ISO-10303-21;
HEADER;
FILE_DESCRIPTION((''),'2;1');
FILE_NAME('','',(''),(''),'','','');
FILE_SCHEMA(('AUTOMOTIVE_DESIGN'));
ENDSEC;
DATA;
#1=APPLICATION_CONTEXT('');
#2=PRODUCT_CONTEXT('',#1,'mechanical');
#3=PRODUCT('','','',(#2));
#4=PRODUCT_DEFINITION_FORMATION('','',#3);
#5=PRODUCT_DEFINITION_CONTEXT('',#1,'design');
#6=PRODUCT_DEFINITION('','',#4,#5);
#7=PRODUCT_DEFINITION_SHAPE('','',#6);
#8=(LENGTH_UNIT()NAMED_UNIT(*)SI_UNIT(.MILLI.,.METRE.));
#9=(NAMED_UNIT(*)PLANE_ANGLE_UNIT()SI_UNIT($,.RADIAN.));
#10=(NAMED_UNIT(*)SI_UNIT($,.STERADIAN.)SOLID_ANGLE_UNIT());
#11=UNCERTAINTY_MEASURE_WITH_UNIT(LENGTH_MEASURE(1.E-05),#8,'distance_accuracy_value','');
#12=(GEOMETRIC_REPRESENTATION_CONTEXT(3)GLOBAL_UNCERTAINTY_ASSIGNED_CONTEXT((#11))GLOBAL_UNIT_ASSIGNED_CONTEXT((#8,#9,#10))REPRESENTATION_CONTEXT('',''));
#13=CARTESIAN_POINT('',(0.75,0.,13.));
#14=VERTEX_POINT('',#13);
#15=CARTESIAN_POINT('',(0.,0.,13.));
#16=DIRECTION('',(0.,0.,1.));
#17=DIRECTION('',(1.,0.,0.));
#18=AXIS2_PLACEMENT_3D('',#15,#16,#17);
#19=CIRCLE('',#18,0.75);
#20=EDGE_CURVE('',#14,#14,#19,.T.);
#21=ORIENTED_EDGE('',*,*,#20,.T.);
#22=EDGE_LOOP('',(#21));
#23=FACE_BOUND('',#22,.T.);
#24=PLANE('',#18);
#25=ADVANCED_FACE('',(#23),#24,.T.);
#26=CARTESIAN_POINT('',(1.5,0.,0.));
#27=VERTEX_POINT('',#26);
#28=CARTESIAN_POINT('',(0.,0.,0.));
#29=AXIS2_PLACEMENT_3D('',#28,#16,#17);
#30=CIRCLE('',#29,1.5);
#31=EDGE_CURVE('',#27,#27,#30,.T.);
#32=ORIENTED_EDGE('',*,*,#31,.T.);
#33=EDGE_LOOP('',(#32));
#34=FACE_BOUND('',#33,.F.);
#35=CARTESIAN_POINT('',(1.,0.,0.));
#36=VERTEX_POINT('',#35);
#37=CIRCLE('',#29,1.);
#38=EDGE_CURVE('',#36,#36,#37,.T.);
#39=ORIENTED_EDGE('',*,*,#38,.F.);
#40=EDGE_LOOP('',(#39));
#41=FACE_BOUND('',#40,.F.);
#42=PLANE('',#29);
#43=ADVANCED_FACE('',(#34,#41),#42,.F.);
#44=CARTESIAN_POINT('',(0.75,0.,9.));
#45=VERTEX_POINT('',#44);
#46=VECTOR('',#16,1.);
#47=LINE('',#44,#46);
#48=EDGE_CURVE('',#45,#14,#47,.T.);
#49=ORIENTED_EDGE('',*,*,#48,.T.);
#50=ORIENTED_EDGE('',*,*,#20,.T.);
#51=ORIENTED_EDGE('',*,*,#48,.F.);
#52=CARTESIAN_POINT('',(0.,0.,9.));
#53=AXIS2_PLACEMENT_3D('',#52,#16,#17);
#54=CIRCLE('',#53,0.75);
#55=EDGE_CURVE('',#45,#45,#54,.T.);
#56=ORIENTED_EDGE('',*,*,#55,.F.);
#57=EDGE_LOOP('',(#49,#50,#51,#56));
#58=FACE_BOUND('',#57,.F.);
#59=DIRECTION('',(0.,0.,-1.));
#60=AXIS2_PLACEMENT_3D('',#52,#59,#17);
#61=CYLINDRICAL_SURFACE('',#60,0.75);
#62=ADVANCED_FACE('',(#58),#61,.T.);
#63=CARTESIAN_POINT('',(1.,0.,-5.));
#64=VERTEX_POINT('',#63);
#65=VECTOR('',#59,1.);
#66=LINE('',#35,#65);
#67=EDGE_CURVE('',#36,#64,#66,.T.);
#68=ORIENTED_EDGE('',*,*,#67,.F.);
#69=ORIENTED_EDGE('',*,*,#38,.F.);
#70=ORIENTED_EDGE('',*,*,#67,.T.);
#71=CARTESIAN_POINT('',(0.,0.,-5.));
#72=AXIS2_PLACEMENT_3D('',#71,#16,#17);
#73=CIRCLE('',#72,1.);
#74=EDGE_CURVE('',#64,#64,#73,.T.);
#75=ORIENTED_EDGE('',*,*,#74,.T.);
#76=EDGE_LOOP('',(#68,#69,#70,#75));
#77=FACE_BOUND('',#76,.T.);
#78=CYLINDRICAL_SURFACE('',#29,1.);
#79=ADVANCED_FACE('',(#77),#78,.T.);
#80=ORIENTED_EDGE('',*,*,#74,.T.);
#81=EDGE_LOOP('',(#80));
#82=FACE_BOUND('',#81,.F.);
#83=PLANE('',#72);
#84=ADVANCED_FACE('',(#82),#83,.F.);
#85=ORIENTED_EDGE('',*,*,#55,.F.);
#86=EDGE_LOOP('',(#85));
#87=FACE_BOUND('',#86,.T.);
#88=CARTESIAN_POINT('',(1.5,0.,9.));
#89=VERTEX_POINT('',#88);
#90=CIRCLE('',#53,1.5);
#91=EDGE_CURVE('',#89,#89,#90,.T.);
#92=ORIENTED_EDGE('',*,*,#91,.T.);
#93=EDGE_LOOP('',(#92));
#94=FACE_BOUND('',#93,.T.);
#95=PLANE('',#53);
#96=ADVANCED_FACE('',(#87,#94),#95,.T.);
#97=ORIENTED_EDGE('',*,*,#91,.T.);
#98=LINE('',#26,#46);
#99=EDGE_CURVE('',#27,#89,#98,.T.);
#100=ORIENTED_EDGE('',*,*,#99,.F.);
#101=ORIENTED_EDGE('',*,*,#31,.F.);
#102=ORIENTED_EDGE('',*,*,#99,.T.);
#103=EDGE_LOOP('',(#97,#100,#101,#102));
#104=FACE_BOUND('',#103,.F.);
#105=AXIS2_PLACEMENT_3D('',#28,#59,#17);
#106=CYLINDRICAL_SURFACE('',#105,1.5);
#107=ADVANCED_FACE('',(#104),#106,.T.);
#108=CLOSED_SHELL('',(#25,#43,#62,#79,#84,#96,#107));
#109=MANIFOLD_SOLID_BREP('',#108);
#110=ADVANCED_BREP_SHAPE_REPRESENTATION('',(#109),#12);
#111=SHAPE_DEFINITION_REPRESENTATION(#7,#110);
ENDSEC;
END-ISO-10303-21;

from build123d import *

# Parameters (mm, degrees)
F0_R     = 1.5
F1_DEPTH = 9
F2_R     = 0.75
F3_DEPTH = 4
F4_R     = 1
F5_DEPTH = 5


with BuildPart() as f1:
    # F0 (on Top) → F1 (new body)
    with BuildSketch(Plane.XY):
        Circle(F0_R)
    extrude(amount=F1_DEPTH)

    # F2 (on face) → F3 (join)
    with BuildSketch(Plane.XY.offset(9)):
        Circle(F2_R)
    extrude(amount=F3_DEPTH)

    # F4 (on Top) → F5 (join)
    with BuildSketch(Plane.XY):
        Circle(F4_R)
    extrude(amount=-F5_DEPTH)


solid = f1.part
